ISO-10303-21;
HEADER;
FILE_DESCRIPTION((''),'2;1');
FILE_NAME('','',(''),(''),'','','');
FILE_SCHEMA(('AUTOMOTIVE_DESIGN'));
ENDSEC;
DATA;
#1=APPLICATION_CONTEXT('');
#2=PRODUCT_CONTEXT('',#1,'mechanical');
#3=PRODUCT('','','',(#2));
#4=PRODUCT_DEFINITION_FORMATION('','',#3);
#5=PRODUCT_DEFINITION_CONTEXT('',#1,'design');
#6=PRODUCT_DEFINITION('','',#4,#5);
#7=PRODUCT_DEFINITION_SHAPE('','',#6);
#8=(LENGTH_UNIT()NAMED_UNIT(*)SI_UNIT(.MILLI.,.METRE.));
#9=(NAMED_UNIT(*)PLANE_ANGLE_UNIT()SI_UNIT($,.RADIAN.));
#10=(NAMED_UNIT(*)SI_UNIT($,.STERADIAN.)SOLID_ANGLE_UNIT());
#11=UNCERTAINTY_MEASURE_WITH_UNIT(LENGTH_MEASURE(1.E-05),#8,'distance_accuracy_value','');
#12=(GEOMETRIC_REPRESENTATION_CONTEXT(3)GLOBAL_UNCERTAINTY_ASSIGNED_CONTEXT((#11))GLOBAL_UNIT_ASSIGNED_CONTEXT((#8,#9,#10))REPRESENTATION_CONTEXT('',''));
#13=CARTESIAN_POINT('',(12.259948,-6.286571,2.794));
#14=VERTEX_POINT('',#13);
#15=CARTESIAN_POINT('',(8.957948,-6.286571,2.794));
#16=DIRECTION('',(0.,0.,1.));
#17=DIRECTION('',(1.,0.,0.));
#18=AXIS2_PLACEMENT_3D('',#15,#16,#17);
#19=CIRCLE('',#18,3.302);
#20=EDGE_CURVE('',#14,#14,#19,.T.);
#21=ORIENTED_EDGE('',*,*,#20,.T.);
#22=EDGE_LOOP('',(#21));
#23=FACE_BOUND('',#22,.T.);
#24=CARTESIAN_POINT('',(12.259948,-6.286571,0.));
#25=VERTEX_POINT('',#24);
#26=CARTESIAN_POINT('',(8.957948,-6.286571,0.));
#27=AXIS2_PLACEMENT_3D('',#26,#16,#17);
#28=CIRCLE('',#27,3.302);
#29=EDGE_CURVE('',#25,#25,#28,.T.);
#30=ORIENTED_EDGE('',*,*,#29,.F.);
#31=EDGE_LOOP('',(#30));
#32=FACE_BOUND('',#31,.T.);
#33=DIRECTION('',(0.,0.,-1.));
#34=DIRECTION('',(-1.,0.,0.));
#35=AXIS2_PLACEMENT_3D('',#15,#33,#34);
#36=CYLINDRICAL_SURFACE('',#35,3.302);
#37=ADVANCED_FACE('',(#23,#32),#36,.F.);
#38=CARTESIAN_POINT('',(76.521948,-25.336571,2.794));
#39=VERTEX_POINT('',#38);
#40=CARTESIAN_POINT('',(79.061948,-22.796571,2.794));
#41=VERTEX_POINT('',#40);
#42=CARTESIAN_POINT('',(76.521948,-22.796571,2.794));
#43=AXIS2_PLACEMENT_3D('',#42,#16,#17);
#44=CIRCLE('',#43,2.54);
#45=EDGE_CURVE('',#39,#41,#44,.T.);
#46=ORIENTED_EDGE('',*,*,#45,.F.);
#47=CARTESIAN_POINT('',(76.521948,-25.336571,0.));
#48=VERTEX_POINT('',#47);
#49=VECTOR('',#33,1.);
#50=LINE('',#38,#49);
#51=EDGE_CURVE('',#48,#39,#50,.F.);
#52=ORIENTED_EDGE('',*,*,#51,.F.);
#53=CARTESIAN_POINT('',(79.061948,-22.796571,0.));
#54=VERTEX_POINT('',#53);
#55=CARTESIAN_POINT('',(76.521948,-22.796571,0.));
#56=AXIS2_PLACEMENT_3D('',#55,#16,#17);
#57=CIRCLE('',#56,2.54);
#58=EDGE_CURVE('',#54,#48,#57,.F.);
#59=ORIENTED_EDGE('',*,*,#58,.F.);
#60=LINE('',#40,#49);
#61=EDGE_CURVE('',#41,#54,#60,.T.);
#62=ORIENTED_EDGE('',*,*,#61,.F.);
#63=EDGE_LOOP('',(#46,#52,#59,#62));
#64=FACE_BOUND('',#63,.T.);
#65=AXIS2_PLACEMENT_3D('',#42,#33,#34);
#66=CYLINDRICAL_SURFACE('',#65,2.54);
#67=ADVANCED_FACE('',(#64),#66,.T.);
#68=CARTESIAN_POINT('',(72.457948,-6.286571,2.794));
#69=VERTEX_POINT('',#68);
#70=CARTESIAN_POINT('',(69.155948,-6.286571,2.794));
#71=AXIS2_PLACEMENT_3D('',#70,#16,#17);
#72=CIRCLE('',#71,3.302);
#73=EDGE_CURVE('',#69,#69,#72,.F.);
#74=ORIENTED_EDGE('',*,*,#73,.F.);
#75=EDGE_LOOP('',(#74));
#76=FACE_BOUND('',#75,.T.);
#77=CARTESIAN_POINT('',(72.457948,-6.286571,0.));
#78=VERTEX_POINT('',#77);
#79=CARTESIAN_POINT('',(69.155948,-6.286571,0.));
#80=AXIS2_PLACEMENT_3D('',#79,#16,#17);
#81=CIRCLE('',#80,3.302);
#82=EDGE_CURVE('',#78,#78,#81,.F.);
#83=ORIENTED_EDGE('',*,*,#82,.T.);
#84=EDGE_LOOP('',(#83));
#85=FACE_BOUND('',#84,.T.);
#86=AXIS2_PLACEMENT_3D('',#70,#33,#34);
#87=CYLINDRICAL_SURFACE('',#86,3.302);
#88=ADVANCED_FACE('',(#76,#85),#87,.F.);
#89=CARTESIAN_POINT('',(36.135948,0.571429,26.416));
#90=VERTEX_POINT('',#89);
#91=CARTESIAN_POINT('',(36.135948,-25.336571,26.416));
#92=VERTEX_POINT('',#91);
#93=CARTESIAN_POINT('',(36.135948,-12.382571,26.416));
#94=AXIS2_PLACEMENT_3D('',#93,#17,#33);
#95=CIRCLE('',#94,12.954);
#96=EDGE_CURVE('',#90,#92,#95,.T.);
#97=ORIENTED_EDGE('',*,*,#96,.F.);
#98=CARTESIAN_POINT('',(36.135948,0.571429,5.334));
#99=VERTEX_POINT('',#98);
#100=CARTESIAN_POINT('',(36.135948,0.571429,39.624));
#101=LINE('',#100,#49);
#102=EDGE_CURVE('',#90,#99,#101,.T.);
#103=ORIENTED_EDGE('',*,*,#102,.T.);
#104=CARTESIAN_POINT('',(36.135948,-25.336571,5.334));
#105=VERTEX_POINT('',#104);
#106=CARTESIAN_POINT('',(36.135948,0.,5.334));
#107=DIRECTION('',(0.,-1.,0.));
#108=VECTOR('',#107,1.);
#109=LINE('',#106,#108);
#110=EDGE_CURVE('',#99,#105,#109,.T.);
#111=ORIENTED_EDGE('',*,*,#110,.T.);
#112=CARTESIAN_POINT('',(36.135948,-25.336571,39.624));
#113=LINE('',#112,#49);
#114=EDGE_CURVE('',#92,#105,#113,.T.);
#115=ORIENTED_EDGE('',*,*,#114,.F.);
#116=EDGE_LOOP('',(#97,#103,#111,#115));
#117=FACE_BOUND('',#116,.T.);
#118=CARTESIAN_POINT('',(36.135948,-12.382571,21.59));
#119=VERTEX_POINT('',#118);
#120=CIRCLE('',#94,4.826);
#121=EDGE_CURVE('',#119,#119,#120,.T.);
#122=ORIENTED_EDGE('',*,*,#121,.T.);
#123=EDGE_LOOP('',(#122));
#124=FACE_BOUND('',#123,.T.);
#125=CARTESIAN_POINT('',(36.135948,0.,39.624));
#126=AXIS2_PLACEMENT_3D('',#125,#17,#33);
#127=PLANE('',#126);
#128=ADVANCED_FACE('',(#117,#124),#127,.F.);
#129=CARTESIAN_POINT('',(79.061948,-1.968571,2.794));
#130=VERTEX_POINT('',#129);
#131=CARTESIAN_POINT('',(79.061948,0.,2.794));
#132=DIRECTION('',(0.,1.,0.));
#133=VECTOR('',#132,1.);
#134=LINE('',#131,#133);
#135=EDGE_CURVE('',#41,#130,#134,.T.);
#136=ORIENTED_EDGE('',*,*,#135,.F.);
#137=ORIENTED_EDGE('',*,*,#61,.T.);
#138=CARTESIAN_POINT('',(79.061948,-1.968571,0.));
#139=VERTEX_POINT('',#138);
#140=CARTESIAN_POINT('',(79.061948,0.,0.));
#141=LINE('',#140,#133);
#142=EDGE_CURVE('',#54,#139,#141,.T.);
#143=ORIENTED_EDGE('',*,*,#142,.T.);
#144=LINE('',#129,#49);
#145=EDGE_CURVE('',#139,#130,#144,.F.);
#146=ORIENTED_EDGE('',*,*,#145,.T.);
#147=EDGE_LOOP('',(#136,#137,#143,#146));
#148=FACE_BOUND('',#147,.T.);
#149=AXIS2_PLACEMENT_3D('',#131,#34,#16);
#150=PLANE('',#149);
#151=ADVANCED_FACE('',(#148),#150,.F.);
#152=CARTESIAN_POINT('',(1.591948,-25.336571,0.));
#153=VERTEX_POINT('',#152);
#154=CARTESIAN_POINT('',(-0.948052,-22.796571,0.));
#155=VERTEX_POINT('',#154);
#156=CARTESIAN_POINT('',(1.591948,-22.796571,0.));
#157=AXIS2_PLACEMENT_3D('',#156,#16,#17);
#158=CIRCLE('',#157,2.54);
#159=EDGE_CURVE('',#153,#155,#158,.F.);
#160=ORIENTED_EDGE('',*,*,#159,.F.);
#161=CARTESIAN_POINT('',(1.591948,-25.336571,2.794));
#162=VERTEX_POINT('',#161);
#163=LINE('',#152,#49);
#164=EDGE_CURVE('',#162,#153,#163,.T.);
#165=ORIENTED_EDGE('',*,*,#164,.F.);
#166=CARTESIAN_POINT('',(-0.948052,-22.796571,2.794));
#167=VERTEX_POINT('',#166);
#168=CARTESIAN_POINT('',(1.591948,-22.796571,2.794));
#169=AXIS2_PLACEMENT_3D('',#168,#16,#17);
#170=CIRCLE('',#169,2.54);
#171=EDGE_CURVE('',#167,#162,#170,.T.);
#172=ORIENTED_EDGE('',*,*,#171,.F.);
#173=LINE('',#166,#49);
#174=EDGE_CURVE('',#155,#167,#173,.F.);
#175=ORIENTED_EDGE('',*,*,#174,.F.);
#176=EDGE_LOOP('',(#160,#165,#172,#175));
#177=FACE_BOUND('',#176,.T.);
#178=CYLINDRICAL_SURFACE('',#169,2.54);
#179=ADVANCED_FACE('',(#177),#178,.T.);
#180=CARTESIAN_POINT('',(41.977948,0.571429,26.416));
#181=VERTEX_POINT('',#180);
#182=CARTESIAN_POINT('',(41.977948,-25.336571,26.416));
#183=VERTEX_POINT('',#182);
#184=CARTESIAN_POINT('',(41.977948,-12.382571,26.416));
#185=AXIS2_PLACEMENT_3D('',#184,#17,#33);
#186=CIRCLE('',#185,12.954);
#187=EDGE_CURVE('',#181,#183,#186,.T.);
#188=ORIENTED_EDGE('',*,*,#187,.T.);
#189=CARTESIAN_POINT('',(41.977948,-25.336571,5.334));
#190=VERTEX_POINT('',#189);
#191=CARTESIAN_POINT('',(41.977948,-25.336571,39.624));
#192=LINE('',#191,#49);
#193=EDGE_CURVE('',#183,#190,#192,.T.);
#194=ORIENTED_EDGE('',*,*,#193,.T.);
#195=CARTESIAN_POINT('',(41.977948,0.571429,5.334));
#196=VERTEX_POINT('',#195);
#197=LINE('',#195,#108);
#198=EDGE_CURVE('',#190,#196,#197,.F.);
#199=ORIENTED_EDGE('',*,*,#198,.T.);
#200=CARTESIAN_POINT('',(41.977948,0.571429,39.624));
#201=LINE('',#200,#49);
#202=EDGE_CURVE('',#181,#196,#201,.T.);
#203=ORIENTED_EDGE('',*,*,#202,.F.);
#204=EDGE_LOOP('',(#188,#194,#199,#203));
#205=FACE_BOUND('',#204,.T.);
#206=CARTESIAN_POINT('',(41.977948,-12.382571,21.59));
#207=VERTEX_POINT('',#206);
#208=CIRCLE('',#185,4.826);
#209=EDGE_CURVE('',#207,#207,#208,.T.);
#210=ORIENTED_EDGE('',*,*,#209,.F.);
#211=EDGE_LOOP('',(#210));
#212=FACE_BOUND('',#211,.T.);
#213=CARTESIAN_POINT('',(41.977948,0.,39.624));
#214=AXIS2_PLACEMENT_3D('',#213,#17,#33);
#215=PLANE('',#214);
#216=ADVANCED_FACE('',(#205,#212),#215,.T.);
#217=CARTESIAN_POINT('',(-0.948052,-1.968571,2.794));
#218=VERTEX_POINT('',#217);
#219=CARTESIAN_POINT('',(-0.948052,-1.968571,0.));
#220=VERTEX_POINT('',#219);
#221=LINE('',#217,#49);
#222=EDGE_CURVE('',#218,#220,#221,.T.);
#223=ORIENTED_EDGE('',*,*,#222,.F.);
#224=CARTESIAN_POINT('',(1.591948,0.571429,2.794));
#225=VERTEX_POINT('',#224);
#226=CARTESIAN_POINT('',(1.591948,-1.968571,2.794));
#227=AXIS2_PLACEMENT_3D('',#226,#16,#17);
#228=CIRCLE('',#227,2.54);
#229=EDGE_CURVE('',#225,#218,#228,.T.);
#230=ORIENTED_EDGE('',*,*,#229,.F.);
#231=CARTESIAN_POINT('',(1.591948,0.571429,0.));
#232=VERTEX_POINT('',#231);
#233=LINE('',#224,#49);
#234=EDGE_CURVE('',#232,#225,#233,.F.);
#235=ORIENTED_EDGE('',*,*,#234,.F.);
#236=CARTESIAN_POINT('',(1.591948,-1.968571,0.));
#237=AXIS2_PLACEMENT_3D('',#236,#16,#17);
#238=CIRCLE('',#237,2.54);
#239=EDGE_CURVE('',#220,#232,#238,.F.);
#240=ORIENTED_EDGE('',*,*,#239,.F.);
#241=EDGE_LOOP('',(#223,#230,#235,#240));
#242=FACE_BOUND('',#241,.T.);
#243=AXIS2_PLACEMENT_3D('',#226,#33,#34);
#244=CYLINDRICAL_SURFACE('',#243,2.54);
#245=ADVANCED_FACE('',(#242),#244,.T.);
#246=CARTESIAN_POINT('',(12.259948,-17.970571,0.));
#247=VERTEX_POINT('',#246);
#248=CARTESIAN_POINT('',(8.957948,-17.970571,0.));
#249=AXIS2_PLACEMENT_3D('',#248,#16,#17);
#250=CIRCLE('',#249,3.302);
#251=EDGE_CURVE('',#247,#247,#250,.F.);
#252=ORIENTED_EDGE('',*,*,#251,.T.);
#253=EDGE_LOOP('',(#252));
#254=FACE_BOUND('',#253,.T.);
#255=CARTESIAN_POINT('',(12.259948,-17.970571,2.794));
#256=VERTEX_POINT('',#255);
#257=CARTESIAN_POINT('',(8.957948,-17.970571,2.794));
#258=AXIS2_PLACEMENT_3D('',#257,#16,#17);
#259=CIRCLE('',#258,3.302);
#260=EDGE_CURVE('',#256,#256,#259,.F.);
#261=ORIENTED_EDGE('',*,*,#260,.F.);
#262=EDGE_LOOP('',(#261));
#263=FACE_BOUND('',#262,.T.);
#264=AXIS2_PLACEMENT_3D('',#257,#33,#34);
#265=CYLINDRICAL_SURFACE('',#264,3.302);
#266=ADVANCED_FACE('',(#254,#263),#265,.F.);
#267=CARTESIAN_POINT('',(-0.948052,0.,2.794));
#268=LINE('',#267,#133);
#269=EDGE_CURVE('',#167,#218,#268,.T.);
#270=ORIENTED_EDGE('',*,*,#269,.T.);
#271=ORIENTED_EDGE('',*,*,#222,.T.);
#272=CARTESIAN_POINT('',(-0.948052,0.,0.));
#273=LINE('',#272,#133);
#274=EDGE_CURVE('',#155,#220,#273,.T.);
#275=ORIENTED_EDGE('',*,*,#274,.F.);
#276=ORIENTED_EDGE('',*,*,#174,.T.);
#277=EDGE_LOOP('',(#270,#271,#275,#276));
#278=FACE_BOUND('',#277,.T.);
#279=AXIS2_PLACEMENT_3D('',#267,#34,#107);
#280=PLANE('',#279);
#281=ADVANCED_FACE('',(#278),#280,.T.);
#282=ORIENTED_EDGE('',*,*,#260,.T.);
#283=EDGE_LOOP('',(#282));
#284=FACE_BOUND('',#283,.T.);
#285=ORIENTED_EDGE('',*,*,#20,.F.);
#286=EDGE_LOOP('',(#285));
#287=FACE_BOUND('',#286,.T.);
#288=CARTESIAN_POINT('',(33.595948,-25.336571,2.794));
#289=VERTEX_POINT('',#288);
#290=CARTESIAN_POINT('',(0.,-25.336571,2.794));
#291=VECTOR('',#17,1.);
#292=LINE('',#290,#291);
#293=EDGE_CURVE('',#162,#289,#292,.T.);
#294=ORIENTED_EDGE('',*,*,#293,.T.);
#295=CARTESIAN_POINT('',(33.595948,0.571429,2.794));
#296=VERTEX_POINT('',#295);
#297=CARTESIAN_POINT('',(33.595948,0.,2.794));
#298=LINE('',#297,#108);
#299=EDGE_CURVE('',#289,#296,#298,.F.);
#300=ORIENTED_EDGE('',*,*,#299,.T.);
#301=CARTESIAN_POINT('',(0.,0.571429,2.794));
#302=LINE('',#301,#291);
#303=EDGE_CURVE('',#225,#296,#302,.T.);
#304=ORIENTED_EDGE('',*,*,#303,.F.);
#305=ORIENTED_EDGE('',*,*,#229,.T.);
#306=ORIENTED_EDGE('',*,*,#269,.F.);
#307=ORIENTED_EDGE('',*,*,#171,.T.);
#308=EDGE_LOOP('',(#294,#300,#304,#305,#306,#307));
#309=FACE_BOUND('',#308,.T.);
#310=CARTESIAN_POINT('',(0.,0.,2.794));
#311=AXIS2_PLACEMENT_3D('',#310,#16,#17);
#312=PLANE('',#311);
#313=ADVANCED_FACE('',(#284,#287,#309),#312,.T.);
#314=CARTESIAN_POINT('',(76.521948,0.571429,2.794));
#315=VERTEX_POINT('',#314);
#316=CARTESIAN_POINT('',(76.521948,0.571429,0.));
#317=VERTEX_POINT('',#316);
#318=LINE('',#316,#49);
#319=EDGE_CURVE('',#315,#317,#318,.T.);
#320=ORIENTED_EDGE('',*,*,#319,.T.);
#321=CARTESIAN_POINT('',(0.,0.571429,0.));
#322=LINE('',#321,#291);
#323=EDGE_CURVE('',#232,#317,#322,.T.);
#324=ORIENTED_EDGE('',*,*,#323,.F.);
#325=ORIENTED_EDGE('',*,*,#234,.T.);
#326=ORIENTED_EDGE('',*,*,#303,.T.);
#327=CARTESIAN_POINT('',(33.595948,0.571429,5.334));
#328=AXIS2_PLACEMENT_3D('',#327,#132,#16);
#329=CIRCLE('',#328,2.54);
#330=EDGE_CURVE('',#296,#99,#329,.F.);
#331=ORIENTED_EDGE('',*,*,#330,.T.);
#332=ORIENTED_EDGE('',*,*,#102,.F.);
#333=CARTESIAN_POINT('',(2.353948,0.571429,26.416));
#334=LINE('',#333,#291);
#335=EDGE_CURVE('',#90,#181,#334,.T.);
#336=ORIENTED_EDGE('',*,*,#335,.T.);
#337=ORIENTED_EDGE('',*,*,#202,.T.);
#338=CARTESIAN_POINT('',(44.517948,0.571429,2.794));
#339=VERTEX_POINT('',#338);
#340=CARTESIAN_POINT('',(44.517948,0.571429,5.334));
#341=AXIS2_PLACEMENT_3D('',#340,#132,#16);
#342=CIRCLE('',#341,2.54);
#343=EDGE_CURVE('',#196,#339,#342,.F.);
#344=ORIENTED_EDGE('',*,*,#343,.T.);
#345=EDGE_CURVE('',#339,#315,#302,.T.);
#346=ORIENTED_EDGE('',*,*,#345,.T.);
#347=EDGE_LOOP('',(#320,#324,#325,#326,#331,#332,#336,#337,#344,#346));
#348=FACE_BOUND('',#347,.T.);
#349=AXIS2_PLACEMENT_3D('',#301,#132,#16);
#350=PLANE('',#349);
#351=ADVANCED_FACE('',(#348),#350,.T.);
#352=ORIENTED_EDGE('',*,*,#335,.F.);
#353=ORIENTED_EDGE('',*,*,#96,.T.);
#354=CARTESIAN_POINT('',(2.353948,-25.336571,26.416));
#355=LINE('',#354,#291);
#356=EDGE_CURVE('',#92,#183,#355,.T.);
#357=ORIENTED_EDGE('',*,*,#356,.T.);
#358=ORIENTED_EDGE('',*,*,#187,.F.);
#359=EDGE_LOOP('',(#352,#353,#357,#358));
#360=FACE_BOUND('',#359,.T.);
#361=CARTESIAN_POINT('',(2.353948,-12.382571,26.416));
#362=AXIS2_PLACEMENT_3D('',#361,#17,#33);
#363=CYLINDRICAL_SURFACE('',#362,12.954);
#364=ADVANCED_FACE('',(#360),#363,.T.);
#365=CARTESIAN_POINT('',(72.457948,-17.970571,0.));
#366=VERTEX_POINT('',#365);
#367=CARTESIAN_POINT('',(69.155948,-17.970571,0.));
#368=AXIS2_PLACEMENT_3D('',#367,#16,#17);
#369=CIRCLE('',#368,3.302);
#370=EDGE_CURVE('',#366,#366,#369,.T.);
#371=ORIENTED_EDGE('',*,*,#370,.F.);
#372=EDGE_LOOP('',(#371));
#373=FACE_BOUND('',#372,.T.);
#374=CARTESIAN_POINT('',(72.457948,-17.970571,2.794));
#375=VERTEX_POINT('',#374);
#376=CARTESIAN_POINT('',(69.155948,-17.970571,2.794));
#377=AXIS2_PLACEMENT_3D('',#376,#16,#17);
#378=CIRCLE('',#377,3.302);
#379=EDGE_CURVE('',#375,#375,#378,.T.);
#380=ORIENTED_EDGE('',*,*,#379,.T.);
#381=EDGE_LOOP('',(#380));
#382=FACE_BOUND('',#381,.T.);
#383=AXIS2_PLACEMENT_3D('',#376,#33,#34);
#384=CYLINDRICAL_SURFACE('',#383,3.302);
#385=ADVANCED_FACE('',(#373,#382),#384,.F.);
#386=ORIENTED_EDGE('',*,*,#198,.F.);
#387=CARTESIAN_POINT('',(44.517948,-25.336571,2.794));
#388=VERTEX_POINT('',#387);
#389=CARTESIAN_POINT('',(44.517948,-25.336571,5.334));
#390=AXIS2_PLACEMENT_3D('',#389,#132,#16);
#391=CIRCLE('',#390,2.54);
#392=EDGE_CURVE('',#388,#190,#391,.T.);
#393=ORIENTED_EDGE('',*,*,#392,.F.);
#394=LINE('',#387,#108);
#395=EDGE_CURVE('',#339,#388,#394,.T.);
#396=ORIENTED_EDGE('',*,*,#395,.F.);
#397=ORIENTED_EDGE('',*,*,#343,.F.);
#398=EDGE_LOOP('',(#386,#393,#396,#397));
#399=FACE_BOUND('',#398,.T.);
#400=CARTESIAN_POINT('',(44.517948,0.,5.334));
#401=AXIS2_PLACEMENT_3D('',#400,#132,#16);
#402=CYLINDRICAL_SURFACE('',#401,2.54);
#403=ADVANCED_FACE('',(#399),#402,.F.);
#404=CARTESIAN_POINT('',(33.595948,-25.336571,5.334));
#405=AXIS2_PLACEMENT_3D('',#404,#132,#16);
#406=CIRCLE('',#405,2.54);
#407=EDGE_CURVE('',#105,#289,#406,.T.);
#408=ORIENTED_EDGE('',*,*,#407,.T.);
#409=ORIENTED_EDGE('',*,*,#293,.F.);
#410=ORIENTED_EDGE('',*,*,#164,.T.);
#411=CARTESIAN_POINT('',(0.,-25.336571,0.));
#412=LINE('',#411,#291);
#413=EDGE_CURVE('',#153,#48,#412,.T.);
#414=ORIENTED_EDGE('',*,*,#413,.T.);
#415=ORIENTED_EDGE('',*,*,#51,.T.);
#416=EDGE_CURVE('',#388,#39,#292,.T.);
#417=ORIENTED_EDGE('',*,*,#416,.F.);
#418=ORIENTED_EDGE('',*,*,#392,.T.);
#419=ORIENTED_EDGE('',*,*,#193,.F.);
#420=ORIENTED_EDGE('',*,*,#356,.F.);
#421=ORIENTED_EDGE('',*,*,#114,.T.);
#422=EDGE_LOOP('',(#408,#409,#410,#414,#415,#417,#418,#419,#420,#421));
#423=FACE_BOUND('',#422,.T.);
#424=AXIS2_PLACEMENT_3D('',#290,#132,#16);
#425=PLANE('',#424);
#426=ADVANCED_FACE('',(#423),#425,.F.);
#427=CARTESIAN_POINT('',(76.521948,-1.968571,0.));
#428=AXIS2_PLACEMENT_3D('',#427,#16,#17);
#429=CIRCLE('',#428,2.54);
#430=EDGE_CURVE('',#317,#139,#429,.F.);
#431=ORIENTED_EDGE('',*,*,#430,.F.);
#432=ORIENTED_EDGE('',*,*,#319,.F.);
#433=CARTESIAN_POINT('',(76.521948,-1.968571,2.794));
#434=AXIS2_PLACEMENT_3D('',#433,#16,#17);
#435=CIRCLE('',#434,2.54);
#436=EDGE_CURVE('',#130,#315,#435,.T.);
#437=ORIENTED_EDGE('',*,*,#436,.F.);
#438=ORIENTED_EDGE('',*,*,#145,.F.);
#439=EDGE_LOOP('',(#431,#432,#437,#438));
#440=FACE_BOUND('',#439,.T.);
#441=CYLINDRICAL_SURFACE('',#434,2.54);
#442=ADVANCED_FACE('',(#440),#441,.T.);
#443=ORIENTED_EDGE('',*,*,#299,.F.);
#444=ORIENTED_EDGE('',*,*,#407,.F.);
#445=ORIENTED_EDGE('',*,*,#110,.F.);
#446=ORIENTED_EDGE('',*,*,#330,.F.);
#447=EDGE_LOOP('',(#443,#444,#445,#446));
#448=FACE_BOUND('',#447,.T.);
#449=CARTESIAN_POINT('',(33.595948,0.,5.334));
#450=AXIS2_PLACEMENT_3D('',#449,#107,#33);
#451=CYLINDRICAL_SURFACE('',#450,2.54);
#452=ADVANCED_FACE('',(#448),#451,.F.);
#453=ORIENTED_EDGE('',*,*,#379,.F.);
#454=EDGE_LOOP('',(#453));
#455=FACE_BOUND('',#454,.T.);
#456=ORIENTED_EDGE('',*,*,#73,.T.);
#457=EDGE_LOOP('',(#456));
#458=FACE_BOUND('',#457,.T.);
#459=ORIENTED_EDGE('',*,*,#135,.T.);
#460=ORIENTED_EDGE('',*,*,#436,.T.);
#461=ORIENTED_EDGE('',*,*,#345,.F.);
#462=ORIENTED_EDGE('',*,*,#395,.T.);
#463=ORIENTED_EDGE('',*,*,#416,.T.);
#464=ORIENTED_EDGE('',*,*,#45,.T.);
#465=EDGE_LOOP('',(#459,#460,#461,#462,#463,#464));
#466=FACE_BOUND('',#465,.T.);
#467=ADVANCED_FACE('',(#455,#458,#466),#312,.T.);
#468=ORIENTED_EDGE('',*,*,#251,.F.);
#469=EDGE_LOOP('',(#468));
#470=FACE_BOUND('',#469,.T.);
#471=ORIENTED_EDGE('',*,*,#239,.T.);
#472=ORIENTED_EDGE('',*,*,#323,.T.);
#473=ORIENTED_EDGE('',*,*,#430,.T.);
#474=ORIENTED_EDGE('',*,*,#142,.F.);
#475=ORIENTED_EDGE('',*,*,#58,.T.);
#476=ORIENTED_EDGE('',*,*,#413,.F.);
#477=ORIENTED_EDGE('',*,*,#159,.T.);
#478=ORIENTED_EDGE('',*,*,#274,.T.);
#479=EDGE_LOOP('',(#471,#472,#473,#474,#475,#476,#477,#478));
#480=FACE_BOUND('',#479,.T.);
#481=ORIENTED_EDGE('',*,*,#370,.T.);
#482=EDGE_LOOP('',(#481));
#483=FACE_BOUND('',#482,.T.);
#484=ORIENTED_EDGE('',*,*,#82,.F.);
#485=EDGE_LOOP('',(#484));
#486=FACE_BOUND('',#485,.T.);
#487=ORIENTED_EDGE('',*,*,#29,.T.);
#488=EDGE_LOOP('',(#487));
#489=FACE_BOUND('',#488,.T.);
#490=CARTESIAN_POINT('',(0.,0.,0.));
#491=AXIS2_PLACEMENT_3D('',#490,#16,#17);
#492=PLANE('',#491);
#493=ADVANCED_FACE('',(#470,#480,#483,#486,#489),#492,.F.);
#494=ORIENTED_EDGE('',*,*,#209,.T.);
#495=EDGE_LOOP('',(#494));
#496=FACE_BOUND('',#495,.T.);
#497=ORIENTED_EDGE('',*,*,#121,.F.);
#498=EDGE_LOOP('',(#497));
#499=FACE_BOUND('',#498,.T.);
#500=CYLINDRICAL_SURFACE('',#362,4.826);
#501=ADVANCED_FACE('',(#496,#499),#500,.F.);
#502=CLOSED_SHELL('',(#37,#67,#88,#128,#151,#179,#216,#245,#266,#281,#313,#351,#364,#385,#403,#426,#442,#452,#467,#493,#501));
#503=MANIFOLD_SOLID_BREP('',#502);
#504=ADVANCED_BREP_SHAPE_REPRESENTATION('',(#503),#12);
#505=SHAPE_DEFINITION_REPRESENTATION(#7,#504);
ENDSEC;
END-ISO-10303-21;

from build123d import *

# Parameters (mm, degrees)
SKETCH1_W             = 37.084
SKETCH1_H             = 25.908
SKETCH1_R             = 3.302
BOSS_EXTRUDE1_DEPTH   = 2.794
BOSS_EXTRUDE1_2_DEPTH = 2.794
SKETCH1_7_W           = 5.842
SKETCH1_7_H           = 25.908
BOSS_EXTRUDE2_DEPTH   = 39.624
FILLET1_R             = 2.54
SKETCH2_R             = 4.826
CUT_EXTRUDE4_DEPTH    = 39.624
CUT_EXTRUDE5_DEPTH    = 39.624
FILLET2_R             = 2.54


with BuildPart() as part:
    # Sketch1 → Boss-Extrude1 (new body)
    with BuildSketch(Plane.XY):
        with Locations((17.593948052, -12.382571429)):
            Rectangle(SKETCH1_W, SKETCH1_H)
        with Locations((8.957948052, -17.970571429)):
            Circle(SKETCH1_R, mode=Mode.SUBTRACT)
        with Locations((8.957948052, -6.286571429)):
            Circle(SKETCH1_R, mode=Mode.SUBTRACT)
    extrude(amount=BOSS_EXTRUDE1_DEPTH)



with BuildPart() as body_2:
    # Sketch1 → Boss-Extrude1 2 (new body)
    with BuildSketch(Plane.XY):
        with Locations((60.519948052, -12.382571429)):
            Rectangle(SKETCH1_W, SKETCH1_H)
        with Locations((69.155948052, -17.970571429)):
            Circle(SKETCH1_R, mode=Mode.SUBTRACT)
        with Locations((69.155948052, -6.286571429)):
            Circle(SKETCH1_R, mode=Mode.SUBTRACT)
    extrude(amount=BOSS_EXTRUDE1_2_DEPTH)


with BuildPart() as part_1:
    add(part.part)

    add(body_2.part)  # Boss-Extrude2 merges body 2
    # Sketch1<7> → Boss-Extrude2 (add)
    with BuildSketch(Plane.XY):
        with Locations((39.056948052, -12.382571429)):
            Rectangle(SKETCH1_7_W, SKETCH1_7_H)
    extrude(amount=BOSS_EXTRUDE2_DEPTH)

    # Fillet1
    fillet1_edges = [part_1.edges().sort_by_distance(p)[0] for p in [
        (79.061948052, 0.571428571, 1.397),
        (79.061948052, -25.336571429, 1.397),
        (-0.948051948, -25.336571429, 1.397),
        (-0.948051948, 0.571428571, 1.397),
    ]]
    fillet(fillet1_edges, radius=FILLET1_R)

    # Sketch2 → Cut-Extrude4 (cut)
    with BuildSketch(Plane(origin=(41.977948052, 0, 0), x_dir=(0, 0, -1), z_dir=(1, 0, 0))):
        with Locations((-26.416, -12.382571429)):
            Circle(SKETCH2_R)
    extrude(amount=-CUT_EXTRUDE4_DEPTH, mode=Mode.SUBTRACT)

    # Sketch2<11> → Cut-Extrude5 (cut)
    with BuildSketch(Plane(origin=(41.977948052, 0, 0), x_dir=(0, 0, -1), z_dir=(1, 0, 0))):
        with BuildLine():
            ThreePointArc((-26.416, -25.336571429), (-39.37, -12.382571429), (-26.416, 0.571428571))
            Line((-26.416, 0.571428571), (-39.624, 0.571428571))
            Line((-39.624, 0.571428571), (-39.624, -25.336571429))
            Line((-39.624, -25.336571429), (-26.416, -25.336571429))
        make_face()
    extrude(amount=-CUT_EXTRUDE5_DEPTH, mode=Mode.SUBTRACT)

    # Fillet2
    fillet2_edges = [part_1.edges().sort_by_distance(p)[0] for p in [
        (36.135948052, -12.382571429, 2.794),
        (41.977948052, -12.382571429, 2.794),
    ]]
    fillet(fillet2_edges, radius=FILLET2_R)


solid = part_1.part
